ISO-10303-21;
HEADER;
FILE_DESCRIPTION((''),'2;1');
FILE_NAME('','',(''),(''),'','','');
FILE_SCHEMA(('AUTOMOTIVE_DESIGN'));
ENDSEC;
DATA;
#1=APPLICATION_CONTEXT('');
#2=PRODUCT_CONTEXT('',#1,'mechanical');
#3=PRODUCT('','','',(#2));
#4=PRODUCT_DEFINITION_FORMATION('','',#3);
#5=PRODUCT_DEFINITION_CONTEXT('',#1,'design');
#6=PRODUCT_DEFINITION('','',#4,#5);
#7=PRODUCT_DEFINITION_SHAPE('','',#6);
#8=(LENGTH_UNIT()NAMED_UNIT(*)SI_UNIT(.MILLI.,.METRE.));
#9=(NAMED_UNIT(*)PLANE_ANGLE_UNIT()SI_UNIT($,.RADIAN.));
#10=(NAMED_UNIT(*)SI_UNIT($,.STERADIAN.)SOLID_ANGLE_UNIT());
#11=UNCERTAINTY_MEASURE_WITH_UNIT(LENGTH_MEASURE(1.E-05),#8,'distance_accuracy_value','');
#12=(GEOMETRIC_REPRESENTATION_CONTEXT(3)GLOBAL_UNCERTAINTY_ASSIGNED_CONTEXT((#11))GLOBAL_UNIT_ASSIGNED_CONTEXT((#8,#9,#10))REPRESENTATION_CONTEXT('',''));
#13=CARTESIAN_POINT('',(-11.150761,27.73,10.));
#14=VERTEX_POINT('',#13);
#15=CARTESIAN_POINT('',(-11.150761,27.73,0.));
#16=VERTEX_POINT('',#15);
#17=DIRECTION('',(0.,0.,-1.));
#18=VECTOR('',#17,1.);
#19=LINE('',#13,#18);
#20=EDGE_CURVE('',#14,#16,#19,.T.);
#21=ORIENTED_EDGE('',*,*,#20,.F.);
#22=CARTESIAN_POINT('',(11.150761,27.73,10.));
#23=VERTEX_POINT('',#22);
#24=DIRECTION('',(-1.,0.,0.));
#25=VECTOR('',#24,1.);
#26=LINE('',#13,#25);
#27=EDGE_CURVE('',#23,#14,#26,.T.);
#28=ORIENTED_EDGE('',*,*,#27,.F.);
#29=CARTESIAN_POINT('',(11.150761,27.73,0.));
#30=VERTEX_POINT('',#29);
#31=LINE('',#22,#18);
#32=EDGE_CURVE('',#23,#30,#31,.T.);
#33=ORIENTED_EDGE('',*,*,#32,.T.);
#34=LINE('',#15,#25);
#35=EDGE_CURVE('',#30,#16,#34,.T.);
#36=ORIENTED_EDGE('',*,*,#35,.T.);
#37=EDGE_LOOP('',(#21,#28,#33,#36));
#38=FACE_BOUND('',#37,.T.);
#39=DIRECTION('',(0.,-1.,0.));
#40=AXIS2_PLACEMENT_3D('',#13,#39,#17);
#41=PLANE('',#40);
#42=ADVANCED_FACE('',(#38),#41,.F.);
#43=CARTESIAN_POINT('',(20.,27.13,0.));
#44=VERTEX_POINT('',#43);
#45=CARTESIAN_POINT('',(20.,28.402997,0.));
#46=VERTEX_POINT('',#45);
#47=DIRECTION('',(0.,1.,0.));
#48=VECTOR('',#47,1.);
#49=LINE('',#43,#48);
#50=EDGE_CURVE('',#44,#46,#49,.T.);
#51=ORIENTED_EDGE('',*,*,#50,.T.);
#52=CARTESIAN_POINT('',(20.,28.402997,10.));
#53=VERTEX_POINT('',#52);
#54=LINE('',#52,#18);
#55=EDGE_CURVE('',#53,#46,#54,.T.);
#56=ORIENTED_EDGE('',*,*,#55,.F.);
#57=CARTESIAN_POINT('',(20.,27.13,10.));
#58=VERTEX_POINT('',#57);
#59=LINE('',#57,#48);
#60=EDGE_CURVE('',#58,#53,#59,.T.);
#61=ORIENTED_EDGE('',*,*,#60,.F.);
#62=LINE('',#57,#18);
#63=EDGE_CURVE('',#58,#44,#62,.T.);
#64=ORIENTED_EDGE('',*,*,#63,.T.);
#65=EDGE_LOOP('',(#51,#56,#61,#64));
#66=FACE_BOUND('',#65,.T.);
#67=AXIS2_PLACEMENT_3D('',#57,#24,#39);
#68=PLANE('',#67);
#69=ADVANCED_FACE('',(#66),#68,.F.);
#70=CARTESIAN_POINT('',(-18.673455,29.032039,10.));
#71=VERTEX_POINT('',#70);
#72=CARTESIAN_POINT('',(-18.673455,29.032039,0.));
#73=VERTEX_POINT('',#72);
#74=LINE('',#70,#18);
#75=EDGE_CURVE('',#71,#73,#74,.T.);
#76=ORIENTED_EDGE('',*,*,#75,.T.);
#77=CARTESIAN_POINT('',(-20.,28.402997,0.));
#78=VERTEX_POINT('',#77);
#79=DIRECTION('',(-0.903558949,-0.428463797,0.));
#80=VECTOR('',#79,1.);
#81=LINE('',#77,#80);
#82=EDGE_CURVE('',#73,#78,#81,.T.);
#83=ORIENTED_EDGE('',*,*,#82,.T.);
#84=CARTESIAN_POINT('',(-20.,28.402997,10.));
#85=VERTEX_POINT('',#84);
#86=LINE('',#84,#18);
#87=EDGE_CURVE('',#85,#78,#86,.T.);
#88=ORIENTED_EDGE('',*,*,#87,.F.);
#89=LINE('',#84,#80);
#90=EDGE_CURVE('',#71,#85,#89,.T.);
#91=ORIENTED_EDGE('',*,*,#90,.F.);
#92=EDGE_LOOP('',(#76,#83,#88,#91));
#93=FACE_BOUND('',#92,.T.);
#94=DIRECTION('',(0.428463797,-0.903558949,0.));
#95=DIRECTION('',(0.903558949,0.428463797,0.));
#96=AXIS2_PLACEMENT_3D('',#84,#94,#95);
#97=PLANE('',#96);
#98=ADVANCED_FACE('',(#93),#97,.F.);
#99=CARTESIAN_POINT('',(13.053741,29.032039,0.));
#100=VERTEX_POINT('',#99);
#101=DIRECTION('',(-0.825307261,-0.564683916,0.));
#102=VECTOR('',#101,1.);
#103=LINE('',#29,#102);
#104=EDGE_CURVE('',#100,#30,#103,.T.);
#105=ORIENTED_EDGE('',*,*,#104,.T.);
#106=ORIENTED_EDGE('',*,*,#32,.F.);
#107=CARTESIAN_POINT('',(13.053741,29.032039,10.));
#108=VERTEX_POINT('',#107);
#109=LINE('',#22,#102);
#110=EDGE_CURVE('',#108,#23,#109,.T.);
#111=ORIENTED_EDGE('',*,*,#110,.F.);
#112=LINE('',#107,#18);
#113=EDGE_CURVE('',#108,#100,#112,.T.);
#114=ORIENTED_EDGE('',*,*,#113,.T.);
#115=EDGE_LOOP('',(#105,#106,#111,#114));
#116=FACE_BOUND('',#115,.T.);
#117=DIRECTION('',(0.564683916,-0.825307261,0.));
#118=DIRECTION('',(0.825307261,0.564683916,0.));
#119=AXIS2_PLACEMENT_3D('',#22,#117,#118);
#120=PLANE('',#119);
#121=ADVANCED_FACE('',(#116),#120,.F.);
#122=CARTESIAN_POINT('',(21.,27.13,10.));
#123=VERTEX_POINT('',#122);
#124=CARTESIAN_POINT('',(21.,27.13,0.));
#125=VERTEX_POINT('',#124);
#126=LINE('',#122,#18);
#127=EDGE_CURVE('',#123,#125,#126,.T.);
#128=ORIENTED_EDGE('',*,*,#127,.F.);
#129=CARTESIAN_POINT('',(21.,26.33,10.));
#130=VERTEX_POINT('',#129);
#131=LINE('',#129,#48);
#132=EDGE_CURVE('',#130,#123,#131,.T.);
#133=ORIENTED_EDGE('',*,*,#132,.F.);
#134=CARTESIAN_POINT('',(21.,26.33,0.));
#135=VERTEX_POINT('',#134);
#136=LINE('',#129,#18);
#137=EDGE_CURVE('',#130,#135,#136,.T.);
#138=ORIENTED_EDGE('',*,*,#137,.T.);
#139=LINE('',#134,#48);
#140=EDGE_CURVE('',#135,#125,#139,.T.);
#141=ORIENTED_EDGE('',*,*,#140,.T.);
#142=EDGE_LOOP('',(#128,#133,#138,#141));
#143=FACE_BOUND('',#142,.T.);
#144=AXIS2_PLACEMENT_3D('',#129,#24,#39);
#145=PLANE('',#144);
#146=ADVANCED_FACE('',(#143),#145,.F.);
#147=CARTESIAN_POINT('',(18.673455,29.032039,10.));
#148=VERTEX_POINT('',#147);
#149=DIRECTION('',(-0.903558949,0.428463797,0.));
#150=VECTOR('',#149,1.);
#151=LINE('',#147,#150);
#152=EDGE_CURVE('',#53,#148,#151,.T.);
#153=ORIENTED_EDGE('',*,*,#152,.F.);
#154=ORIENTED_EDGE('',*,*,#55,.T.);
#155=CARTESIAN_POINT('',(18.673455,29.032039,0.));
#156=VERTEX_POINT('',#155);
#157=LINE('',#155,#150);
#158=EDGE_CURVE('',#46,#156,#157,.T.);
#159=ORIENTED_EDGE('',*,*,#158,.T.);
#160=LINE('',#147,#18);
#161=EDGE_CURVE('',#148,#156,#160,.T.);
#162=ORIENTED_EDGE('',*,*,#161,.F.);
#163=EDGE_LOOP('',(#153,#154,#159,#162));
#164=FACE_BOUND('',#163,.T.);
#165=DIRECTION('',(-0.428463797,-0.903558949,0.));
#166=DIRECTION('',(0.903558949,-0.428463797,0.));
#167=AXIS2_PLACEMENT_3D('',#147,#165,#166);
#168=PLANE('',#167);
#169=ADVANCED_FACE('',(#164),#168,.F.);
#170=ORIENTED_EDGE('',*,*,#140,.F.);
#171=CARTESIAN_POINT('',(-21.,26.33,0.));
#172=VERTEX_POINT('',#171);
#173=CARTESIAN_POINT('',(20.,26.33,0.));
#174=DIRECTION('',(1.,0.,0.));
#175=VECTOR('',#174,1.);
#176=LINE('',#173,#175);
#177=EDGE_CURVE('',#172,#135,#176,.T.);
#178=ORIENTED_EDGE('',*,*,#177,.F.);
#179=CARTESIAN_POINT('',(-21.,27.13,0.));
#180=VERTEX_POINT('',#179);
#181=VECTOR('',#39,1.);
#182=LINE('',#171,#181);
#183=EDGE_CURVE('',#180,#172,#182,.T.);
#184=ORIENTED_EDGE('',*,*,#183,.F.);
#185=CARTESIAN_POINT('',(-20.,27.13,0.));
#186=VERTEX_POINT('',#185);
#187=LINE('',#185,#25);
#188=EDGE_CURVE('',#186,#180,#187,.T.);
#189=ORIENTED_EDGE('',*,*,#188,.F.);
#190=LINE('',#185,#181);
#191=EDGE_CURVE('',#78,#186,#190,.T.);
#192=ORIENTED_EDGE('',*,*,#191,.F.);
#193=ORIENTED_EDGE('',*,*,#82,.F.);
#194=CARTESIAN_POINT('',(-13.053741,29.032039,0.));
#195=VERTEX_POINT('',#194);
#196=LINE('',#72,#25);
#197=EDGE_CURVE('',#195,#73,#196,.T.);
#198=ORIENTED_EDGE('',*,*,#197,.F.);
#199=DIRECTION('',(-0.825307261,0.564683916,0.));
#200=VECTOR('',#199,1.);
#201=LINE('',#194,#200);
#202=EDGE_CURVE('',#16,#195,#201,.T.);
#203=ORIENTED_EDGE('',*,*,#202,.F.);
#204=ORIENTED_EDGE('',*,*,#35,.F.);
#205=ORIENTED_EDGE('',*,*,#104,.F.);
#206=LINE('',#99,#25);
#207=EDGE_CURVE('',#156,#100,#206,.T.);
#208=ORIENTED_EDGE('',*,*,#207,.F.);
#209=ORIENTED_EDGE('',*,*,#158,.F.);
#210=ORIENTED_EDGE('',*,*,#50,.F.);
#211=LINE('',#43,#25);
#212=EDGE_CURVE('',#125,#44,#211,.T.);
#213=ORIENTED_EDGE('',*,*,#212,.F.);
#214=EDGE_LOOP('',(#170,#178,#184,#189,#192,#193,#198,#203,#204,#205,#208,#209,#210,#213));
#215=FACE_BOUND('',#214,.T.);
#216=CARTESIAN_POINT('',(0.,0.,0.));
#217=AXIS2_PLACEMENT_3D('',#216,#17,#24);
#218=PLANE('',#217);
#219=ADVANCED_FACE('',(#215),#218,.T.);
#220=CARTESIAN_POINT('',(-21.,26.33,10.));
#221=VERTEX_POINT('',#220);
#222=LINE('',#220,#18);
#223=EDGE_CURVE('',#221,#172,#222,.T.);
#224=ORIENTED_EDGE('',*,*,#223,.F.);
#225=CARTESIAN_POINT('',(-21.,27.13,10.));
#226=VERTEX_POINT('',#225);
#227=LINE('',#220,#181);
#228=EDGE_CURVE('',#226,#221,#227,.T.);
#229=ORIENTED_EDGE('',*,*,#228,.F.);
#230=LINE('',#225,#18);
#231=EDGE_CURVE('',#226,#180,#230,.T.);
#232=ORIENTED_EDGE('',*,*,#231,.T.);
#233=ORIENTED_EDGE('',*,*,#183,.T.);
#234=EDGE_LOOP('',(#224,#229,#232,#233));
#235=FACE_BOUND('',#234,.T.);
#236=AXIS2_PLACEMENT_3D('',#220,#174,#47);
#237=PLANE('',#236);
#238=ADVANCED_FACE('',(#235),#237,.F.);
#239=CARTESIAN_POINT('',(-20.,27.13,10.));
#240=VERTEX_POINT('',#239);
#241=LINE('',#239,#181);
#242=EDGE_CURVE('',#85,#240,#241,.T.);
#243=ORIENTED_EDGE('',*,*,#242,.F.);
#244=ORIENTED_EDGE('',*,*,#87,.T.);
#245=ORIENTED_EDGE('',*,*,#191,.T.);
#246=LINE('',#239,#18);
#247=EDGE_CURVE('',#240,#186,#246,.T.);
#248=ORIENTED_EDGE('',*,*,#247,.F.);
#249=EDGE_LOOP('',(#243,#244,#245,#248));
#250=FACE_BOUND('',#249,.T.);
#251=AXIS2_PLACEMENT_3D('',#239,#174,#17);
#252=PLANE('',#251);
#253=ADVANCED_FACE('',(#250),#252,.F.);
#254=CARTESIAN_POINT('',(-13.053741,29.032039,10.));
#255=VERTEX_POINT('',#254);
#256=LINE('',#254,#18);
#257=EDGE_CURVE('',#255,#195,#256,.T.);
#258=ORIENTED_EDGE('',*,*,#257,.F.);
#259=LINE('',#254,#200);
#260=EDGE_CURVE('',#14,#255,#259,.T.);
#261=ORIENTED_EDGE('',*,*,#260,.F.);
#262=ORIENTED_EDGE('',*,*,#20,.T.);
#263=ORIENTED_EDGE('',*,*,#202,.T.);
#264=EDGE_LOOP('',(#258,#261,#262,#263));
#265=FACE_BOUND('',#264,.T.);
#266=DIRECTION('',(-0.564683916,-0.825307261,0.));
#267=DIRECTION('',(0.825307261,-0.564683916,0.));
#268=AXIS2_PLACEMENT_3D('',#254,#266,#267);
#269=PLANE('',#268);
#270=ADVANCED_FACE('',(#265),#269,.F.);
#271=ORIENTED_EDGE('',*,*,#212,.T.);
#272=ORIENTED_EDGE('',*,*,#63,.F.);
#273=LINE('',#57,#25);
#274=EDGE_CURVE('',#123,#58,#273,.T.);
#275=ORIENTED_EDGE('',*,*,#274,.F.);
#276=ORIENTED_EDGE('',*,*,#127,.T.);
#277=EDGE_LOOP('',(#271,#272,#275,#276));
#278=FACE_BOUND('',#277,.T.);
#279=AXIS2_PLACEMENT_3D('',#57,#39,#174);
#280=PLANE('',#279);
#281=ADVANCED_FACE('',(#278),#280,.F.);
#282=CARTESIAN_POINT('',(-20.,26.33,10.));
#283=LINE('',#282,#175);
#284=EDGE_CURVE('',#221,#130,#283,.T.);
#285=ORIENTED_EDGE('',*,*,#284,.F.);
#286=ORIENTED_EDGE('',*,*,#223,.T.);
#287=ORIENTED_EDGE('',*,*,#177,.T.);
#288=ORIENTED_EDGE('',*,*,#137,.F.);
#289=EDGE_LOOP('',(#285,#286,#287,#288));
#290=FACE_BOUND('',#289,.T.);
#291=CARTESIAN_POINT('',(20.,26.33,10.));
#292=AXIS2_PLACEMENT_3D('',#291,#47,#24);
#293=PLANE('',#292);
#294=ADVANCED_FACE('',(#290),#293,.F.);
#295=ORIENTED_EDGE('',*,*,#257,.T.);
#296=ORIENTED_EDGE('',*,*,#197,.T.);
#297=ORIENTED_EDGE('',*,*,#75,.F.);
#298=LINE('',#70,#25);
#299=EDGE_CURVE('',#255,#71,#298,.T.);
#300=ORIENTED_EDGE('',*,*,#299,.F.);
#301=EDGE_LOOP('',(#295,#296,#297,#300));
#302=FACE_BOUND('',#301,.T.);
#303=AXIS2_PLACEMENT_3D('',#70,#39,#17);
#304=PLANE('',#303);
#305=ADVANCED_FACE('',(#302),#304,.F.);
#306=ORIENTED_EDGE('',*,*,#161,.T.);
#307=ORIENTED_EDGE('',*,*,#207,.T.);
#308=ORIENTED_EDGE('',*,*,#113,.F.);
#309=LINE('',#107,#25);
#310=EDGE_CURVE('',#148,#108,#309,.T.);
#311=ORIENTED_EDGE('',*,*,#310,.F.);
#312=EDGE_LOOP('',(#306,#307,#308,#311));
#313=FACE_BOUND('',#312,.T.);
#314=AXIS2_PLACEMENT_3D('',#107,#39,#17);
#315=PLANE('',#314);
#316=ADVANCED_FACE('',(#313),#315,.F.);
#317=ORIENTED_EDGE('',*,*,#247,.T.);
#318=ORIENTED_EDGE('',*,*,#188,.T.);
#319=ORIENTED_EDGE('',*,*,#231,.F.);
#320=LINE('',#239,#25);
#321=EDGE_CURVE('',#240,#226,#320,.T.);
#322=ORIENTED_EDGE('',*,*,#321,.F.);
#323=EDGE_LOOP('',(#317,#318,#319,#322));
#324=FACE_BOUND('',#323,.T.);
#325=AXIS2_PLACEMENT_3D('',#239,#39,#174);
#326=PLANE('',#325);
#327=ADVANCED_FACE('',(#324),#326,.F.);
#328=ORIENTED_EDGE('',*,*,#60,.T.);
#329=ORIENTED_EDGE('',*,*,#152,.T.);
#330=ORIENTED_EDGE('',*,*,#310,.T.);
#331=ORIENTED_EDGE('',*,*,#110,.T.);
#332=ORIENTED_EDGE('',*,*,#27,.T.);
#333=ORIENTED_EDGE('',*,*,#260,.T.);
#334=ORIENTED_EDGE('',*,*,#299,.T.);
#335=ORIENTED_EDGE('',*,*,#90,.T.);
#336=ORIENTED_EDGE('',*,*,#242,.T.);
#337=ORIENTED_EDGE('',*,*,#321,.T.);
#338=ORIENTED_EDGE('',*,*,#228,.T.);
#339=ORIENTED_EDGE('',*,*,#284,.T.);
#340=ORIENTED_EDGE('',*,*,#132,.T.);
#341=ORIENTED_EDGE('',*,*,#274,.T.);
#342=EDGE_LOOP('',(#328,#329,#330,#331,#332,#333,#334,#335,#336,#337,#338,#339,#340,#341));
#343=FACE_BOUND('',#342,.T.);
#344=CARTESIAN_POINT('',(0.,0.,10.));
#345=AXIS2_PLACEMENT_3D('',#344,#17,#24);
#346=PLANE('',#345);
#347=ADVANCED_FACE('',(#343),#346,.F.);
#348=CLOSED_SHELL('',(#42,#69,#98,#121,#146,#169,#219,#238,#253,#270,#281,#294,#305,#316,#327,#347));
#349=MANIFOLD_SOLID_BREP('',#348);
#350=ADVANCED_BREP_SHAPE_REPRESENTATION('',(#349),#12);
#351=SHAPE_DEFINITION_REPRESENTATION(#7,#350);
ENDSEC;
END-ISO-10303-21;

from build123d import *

# Parameters (mm, degrees)
EXTRUDE_1_DEPTH = 10


with BuildPart() as part:
    # Эскиз1 → Бобышка-Вытянуть1 (new body)
    with BuildSketch(Plane.XY):
        Polygon((20, 26.33), (21, 26.33), (21, 27.13), (20, 27.13), (20, 28.402997345), (18.673455449, 29.032039108), (13.053740811, 29.032039108), (11.150760576, 27.73), (-11.150760576, 27.73), (-13.053740811, 29.032039108), (-18.673455449, 29.032039108), (-20, 28.402997345), (-20, 27.13), (-21, 27.13), (-21, 26.33), (-20, 26.33), align=None)
    extrude(amount=EXTRUDE_1_DEPTH)


solid = part.part
